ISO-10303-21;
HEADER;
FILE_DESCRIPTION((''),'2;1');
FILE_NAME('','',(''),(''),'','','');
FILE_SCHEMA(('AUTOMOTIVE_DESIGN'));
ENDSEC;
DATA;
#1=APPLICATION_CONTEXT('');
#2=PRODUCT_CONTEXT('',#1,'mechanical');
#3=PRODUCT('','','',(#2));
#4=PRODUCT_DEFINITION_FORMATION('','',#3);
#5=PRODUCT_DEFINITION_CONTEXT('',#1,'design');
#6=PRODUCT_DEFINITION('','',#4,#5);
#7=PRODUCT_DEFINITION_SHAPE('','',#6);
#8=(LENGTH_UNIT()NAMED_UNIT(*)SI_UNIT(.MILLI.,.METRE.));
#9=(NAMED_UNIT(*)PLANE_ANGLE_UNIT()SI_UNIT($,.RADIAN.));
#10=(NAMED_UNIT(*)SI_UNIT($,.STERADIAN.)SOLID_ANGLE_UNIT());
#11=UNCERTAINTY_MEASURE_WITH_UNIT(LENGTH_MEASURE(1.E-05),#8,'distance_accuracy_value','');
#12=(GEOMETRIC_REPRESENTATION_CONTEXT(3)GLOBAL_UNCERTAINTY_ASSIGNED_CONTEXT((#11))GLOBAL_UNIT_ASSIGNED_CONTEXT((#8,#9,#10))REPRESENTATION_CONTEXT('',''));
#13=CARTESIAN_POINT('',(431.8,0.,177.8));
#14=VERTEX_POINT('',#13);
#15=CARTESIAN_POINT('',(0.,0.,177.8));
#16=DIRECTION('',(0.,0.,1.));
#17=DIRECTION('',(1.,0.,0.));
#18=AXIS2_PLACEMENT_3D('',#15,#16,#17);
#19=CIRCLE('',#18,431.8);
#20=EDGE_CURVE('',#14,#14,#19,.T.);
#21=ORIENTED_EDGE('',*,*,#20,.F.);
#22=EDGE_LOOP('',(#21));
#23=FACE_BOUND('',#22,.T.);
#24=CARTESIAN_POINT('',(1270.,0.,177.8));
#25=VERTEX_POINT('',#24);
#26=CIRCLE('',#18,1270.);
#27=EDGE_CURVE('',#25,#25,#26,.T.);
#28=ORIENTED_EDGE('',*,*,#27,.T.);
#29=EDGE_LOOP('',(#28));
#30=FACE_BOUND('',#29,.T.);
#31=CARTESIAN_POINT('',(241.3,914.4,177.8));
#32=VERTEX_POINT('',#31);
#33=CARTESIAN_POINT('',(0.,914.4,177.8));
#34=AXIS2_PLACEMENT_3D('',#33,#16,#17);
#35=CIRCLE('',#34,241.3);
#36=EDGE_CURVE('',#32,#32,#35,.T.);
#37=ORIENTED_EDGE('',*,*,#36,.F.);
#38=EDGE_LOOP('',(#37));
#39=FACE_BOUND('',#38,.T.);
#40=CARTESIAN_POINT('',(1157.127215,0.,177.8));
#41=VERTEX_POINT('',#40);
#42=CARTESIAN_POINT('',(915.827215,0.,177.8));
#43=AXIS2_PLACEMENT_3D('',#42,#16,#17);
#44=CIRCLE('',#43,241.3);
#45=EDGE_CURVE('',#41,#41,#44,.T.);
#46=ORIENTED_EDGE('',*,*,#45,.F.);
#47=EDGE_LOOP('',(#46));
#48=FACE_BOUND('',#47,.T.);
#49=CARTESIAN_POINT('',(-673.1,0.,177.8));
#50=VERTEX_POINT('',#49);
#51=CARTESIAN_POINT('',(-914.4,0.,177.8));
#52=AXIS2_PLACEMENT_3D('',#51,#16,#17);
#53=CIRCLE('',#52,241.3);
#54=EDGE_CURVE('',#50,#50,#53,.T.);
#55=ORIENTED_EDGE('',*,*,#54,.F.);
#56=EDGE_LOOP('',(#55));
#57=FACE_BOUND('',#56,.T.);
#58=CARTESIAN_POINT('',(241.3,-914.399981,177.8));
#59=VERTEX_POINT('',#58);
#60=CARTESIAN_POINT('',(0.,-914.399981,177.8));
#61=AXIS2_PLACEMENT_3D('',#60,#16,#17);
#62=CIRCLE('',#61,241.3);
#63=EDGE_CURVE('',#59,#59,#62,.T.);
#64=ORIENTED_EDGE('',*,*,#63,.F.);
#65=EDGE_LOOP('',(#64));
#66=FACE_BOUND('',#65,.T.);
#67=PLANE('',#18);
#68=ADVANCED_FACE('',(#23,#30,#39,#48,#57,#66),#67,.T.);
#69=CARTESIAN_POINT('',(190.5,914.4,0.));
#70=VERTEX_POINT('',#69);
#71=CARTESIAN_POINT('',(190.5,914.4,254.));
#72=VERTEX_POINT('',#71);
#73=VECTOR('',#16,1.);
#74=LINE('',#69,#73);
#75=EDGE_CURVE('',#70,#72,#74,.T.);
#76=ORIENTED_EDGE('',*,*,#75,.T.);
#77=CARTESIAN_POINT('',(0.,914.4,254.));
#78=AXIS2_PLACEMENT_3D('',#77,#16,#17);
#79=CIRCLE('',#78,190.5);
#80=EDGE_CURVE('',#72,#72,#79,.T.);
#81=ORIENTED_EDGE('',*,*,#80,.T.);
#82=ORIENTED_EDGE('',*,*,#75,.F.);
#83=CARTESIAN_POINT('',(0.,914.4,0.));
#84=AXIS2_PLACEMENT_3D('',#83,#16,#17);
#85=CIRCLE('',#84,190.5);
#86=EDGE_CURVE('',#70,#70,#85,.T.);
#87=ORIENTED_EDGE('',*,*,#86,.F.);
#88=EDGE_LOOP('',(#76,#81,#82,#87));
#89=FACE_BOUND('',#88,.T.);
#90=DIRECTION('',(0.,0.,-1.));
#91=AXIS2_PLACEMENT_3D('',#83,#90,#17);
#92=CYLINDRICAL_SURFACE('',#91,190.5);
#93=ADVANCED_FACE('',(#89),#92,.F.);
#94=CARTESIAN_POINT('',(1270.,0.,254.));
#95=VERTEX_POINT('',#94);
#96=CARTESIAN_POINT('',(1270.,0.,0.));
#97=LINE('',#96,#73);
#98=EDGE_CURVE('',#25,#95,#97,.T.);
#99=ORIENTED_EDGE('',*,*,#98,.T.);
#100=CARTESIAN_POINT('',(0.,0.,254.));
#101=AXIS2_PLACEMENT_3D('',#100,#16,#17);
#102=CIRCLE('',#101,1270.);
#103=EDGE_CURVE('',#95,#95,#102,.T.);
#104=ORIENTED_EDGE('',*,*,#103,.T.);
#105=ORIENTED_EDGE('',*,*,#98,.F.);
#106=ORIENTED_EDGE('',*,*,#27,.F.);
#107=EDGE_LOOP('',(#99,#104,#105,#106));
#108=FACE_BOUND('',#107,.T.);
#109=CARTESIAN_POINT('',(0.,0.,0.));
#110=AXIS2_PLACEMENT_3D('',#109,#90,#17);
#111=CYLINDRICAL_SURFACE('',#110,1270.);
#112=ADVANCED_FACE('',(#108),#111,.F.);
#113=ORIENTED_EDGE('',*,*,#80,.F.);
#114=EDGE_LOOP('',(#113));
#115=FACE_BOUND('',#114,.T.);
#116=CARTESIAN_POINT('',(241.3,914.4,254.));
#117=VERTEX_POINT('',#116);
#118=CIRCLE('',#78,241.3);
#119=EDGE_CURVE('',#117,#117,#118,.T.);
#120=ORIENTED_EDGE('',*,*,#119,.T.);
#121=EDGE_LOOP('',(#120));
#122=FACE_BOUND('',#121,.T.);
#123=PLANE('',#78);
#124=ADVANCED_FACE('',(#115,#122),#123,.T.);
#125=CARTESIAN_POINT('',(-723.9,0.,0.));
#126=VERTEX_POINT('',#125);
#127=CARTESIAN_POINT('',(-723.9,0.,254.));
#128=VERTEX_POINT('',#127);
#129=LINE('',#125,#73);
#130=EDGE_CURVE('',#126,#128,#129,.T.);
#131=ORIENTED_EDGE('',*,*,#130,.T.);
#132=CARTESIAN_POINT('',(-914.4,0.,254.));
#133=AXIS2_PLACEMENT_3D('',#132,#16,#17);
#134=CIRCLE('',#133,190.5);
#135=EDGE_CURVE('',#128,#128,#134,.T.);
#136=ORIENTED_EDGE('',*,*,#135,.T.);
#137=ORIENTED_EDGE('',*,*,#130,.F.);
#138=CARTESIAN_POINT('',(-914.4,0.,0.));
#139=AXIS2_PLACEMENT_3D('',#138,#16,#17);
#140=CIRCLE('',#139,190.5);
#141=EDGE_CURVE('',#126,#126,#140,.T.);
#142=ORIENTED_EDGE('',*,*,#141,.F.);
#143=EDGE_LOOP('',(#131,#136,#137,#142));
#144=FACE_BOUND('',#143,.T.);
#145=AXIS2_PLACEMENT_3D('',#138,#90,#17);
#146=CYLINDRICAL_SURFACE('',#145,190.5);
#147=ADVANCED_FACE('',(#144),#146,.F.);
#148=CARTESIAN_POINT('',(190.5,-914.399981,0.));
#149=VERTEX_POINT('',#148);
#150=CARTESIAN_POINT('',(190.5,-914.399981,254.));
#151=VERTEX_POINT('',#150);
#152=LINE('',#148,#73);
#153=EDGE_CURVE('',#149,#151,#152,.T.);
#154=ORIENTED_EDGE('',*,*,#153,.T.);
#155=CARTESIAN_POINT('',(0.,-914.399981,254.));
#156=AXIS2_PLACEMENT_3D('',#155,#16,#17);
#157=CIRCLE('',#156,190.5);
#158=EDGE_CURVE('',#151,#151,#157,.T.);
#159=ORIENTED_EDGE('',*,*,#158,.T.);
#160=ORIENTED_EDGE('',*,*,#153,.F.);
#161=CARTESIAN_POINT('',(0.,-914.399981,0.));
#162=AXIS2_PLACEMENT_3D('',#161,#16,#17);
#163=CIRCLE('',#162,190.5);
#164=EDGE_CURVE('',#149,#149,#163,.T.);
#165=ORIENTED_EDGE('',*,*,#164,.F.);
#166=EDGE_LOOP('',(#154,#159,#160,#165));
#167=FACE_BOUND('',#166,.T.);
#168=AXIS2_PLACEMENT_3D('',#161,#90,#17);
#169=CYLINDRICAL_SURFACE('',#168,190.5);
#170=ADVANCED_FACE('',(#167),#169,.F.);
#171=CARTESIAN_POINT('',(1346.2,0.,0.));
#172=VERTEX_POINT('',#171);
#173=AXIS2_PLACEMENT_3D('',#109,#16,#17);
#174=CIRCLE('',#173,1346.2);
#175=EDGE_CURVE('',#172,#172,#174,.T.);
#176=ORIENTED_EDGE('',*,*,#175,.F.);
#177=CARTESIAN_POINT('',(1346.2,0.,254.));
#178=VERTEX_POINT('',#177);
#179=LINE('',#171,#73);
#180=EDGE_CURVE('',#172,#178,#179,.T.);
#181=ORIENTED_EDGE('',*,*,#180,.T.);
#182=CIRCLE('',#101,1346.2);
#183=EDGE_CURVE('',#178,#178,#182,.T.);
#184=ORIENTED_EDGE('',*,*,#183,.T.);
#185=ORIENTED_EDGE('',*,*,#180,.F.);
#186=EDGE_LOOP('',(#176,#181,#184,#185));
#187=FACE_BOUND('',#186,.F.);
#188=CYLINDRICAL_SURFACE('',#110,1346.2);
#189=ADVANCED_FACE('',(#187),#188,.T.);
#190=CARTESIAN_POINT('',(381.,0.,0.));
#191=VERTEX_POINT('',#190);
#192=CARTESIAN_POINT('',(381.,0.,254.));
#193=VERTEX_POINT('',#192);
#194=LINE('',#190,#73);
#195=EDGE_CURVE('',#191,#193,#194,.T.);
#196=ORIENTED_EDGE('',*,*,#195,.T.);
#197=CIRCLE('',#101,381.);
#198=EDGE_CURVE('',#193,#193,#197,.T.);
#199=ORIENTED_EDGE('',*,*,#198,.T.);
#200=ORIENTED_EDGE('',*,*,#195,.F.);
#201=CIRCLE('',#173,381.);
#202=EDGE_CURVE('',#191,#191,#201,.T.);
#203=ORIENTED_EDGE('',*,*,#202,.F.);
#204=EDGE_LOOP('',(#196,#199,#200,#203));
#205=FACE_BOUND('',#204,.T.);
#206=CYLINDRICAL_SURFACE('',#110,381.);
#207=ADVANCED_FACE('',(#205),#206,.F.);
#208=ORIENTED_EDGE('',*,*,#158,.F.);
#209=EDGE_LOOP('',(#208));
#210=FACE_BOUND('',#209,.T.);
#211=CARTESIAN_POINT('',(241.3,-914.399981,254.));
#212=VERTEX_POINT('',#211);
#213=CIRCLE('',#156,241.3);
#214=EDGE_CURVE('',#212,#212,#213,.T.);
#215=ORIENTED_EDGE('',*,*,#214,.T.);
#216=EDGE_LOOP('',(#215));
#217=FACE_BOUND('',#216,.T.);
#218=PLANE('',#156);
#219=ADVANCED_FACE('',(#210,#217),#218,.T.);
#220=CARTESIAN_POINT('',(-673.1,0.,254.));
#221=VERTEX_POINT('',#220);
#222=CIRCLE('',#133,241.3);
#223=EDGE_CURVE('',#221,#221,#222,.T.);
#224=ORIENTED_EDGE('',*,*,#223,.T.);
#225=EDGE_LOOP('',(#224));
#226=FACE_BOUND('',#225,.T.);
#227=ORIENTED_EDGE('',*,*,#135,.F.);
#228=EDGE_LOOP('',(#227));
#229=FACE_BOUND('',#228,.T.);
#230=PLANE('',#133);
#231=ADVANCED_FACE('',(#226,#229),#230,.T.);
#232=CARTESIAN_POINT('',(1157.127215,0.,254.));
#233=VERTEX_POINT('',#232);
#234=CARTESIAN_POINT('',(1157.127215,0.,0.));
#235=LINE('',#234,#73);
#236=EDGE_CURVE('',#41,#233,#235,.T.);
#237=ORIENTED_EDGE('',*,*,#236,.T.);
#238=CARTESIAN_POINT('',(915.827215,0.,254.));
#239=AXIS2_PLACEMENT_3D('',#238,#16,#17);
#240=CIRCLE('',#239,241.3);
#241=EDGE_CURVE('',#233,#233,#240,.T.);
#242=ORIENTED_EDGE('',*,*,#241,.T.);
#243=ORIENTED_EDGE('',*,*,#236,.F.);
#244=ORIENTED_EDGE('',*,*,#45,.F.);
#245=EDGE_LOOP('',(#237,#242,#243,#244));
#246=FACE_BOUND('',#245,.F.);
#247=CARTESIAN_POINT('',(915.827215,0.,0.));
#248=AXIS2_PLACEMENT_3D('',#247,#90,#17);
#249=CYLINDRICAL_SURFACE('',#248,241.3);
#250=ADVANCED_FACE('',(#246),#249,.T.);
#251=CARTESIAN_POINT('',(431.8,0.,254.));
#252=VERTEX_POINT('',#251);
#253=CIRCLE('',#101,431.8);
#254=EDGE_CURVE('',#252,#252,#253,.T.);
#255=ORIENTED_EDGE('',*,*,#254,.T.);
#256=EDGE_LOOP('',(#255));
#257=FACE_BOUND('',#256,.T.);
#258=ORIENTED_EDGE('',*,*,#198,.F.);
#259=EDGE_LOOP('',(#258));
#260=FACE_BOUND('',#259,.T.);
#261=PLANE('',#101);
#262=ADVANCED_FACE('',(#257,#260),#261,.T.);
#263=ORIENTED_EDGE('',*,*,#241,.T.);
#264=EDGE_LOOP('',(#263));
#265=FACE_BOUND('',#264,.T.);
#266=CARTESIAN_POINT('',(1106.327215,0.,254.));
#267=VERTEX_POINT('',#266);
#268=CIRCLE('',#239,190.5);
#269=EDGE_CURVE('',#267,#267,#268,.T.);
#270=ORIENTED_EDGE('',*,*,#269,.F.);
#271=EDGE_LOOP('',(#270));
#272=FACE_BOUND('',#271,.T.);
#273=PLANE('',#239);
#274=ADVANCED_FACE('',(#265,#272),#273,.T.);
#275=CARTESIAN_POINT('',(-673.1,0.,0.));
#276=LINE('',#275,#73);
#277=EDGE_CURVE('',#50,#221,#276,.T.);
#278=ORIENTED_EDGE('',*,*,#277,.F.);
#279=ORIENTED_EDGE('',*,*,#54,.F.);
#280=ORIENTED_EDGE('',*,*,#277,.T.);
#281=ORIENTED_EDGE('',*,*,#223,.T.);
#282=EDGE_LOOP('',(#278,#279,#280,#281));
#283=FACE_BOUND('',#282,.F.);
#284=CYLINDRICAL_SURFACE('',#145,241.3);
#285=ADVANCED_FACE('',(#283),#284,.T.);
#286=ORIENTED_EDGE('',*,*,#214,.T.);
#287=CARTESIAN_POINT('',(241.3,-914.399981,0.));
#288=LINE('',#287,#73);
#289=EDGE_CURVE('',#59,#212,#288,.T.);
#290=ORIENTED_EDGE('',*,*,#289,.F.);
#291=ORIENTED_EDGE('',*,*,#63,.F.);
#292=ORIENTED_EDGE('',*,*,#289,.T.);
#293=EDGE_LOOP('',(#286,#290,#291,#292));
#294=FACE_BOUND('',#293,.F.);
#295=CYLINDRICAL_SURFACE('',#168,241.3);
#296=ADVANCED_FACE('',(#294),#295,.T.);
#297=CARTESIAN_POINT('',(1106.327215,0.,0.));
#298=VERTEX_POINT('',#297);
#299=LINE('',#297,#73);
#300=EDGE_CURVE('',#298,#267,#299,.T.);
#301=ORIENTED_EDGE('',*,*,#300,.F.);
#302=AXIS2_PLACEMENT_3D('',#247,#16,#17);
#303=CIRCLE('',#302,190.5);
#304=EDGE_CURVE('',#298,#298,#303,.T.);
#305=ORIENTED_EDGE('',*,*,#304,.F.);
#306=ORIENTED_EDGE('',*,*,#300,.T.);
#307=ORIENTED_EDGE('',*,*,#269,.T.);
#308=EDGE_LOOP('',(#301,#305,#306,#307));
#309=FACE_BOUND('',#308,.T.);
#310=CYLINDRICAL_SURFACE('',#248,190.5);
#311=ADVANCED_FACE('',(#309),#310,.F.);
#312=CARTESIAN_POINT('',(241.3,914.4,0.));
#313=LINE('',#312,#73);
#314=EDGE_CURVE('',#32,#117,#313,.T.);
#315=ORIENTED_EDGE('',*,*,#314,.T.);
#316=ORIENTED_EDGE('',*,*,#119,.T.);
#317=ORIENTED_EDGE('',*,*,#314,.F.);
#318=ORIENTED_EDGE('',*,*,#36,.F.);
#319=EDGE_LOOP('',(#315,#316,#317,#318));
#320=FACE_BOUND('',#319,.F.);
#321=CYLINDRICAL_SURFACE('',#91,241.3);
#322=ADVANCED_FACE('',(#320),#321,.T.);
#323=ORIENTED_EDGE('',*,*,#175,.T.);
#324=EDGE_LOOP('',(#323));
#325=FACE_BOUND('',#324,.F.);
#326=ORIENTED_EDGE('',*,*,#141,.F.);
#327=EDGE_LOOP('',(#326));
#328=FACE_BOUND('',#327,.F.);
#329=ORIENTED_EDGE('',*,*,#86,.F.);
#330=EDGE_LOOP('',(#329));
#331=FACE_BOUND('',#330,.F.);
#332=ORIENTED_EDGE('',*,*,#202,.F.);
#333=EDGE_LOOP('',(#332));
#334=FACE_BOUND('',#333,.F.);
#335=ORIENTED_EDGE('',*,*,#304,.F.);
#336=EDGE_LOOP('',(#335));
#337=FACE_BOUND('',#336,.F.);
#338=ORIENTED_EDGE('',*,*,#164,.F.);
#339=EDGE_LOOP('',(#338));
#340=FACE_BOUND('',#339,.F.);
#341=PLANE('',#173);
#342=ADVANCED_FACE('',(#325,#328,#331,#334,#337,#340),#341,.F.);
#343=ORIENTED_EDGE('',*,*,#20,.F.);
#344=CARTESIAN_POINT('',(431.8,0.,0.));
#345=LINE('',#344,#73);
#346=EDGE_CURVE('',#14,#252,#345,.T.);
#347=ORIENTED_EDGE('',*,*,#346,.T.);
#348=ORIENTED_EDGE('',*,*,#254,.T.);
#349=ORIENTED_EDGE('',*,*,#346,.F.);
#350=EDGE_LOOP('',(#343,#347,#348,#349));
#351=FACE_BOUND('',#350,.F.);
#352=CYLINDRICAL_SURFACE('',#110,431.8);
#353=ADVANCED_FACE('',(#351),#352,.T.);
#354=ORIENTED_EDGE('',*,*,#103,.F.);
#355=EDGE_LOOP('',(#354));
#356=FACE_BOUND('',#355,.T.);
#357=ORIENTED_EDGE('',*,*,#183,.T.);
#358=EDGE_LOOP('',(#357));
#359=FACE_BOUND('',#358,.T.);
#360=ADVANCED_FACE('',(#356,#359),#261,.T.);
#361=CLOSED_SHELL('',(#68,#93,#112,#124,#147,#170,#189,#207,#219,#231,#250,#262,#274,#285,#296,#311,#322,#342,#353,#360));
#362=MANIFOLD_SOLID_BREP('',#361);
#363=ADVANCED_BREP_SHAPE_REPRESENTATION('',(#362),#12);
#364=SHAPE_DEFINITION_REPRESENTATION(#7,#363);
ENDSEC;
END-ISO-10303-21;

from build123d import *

# Parameters (mm, degrees)
F0_R     = 1270
F0_R_2   = 241.3
F0_R_3   = 431.8
F1_DEPTH = 177.8
F0_R_4   = 190.5
F2_DEPTH = 254
F0_R_5   = 381
F3_DEPTH = 254
F0_R_6   = 1346.2
F4_DEPTH = 254


with BuildPart() as f1:
    # F0 (on Top) → F1 (new body)
    with BuildSketch(Plane.XY):
        Circle(F0_R)
        with Locations((0, -914.399981)):
            Circle(F0_R_2, mode=Mode.SUBTRACT)
        with Locations((-914.4, 0)):
            Circle(F0_R_2, mode=Mode.SUBTRACT)
        Circle(F0_R_3, mode=Mode.SUBTRACT)
        with Locations((915.827215, 0)):
            Circle(F0_R_2, mode=Mode.SUBTRACT)
        with Locations((0, 914.4)):
            Circle(F0_R_2, mode=Mode.SUBTRACT)
    extrude(amount=F1_DEPTH)

    # F0 (on Top) → F2 (join)
    with BuildSketch(Plane.XY):
        with Locations((0, 914.4)):
            Circle(F0_R_2)
        with Locations((0, 914.4)):
            Circle(F0_R_4, mode=Mode.SUBTRACT)
        with Locations((915.827215, 0)):
            Circle(F0_R_2)
        with Locations((915.827215, 0)):
            Circle(F0_R_4, mode=Mode.SUBTRACT)
        with Locations((0, -914.399981)):
            Circle(F0_R_2)
        with Locations((0, -914.399981)):
            Circle(F0_R_4, mode=Mode.SUBTRACT)
        with Locations((-914.4, 0)):
            Circle(F0_R_2)
        with Locations((-914.4, 0)):
            Circle(F0_R_4, mode=Mode.SUBTRACT)
    extrude(amount=F2_DEPTH)

    # F0 (on Top) → F3 (join)
    with BuildSketch(Plane.XY):
        Circle(F0_R_3)
        Circle(F0_R_5, mode=Mode.SUBTRACT)
    extrude(amount=F3_DEPTH)

    # F0 (on Top) → F4 (join)
    with BuildSketch(Plane.XY):
        Circle(F0_R_6)
        Circle(F0_R, mode=Mode.SUBTRACT)
    extrude(amount=F4_DEPTH)


solid = f1.part
